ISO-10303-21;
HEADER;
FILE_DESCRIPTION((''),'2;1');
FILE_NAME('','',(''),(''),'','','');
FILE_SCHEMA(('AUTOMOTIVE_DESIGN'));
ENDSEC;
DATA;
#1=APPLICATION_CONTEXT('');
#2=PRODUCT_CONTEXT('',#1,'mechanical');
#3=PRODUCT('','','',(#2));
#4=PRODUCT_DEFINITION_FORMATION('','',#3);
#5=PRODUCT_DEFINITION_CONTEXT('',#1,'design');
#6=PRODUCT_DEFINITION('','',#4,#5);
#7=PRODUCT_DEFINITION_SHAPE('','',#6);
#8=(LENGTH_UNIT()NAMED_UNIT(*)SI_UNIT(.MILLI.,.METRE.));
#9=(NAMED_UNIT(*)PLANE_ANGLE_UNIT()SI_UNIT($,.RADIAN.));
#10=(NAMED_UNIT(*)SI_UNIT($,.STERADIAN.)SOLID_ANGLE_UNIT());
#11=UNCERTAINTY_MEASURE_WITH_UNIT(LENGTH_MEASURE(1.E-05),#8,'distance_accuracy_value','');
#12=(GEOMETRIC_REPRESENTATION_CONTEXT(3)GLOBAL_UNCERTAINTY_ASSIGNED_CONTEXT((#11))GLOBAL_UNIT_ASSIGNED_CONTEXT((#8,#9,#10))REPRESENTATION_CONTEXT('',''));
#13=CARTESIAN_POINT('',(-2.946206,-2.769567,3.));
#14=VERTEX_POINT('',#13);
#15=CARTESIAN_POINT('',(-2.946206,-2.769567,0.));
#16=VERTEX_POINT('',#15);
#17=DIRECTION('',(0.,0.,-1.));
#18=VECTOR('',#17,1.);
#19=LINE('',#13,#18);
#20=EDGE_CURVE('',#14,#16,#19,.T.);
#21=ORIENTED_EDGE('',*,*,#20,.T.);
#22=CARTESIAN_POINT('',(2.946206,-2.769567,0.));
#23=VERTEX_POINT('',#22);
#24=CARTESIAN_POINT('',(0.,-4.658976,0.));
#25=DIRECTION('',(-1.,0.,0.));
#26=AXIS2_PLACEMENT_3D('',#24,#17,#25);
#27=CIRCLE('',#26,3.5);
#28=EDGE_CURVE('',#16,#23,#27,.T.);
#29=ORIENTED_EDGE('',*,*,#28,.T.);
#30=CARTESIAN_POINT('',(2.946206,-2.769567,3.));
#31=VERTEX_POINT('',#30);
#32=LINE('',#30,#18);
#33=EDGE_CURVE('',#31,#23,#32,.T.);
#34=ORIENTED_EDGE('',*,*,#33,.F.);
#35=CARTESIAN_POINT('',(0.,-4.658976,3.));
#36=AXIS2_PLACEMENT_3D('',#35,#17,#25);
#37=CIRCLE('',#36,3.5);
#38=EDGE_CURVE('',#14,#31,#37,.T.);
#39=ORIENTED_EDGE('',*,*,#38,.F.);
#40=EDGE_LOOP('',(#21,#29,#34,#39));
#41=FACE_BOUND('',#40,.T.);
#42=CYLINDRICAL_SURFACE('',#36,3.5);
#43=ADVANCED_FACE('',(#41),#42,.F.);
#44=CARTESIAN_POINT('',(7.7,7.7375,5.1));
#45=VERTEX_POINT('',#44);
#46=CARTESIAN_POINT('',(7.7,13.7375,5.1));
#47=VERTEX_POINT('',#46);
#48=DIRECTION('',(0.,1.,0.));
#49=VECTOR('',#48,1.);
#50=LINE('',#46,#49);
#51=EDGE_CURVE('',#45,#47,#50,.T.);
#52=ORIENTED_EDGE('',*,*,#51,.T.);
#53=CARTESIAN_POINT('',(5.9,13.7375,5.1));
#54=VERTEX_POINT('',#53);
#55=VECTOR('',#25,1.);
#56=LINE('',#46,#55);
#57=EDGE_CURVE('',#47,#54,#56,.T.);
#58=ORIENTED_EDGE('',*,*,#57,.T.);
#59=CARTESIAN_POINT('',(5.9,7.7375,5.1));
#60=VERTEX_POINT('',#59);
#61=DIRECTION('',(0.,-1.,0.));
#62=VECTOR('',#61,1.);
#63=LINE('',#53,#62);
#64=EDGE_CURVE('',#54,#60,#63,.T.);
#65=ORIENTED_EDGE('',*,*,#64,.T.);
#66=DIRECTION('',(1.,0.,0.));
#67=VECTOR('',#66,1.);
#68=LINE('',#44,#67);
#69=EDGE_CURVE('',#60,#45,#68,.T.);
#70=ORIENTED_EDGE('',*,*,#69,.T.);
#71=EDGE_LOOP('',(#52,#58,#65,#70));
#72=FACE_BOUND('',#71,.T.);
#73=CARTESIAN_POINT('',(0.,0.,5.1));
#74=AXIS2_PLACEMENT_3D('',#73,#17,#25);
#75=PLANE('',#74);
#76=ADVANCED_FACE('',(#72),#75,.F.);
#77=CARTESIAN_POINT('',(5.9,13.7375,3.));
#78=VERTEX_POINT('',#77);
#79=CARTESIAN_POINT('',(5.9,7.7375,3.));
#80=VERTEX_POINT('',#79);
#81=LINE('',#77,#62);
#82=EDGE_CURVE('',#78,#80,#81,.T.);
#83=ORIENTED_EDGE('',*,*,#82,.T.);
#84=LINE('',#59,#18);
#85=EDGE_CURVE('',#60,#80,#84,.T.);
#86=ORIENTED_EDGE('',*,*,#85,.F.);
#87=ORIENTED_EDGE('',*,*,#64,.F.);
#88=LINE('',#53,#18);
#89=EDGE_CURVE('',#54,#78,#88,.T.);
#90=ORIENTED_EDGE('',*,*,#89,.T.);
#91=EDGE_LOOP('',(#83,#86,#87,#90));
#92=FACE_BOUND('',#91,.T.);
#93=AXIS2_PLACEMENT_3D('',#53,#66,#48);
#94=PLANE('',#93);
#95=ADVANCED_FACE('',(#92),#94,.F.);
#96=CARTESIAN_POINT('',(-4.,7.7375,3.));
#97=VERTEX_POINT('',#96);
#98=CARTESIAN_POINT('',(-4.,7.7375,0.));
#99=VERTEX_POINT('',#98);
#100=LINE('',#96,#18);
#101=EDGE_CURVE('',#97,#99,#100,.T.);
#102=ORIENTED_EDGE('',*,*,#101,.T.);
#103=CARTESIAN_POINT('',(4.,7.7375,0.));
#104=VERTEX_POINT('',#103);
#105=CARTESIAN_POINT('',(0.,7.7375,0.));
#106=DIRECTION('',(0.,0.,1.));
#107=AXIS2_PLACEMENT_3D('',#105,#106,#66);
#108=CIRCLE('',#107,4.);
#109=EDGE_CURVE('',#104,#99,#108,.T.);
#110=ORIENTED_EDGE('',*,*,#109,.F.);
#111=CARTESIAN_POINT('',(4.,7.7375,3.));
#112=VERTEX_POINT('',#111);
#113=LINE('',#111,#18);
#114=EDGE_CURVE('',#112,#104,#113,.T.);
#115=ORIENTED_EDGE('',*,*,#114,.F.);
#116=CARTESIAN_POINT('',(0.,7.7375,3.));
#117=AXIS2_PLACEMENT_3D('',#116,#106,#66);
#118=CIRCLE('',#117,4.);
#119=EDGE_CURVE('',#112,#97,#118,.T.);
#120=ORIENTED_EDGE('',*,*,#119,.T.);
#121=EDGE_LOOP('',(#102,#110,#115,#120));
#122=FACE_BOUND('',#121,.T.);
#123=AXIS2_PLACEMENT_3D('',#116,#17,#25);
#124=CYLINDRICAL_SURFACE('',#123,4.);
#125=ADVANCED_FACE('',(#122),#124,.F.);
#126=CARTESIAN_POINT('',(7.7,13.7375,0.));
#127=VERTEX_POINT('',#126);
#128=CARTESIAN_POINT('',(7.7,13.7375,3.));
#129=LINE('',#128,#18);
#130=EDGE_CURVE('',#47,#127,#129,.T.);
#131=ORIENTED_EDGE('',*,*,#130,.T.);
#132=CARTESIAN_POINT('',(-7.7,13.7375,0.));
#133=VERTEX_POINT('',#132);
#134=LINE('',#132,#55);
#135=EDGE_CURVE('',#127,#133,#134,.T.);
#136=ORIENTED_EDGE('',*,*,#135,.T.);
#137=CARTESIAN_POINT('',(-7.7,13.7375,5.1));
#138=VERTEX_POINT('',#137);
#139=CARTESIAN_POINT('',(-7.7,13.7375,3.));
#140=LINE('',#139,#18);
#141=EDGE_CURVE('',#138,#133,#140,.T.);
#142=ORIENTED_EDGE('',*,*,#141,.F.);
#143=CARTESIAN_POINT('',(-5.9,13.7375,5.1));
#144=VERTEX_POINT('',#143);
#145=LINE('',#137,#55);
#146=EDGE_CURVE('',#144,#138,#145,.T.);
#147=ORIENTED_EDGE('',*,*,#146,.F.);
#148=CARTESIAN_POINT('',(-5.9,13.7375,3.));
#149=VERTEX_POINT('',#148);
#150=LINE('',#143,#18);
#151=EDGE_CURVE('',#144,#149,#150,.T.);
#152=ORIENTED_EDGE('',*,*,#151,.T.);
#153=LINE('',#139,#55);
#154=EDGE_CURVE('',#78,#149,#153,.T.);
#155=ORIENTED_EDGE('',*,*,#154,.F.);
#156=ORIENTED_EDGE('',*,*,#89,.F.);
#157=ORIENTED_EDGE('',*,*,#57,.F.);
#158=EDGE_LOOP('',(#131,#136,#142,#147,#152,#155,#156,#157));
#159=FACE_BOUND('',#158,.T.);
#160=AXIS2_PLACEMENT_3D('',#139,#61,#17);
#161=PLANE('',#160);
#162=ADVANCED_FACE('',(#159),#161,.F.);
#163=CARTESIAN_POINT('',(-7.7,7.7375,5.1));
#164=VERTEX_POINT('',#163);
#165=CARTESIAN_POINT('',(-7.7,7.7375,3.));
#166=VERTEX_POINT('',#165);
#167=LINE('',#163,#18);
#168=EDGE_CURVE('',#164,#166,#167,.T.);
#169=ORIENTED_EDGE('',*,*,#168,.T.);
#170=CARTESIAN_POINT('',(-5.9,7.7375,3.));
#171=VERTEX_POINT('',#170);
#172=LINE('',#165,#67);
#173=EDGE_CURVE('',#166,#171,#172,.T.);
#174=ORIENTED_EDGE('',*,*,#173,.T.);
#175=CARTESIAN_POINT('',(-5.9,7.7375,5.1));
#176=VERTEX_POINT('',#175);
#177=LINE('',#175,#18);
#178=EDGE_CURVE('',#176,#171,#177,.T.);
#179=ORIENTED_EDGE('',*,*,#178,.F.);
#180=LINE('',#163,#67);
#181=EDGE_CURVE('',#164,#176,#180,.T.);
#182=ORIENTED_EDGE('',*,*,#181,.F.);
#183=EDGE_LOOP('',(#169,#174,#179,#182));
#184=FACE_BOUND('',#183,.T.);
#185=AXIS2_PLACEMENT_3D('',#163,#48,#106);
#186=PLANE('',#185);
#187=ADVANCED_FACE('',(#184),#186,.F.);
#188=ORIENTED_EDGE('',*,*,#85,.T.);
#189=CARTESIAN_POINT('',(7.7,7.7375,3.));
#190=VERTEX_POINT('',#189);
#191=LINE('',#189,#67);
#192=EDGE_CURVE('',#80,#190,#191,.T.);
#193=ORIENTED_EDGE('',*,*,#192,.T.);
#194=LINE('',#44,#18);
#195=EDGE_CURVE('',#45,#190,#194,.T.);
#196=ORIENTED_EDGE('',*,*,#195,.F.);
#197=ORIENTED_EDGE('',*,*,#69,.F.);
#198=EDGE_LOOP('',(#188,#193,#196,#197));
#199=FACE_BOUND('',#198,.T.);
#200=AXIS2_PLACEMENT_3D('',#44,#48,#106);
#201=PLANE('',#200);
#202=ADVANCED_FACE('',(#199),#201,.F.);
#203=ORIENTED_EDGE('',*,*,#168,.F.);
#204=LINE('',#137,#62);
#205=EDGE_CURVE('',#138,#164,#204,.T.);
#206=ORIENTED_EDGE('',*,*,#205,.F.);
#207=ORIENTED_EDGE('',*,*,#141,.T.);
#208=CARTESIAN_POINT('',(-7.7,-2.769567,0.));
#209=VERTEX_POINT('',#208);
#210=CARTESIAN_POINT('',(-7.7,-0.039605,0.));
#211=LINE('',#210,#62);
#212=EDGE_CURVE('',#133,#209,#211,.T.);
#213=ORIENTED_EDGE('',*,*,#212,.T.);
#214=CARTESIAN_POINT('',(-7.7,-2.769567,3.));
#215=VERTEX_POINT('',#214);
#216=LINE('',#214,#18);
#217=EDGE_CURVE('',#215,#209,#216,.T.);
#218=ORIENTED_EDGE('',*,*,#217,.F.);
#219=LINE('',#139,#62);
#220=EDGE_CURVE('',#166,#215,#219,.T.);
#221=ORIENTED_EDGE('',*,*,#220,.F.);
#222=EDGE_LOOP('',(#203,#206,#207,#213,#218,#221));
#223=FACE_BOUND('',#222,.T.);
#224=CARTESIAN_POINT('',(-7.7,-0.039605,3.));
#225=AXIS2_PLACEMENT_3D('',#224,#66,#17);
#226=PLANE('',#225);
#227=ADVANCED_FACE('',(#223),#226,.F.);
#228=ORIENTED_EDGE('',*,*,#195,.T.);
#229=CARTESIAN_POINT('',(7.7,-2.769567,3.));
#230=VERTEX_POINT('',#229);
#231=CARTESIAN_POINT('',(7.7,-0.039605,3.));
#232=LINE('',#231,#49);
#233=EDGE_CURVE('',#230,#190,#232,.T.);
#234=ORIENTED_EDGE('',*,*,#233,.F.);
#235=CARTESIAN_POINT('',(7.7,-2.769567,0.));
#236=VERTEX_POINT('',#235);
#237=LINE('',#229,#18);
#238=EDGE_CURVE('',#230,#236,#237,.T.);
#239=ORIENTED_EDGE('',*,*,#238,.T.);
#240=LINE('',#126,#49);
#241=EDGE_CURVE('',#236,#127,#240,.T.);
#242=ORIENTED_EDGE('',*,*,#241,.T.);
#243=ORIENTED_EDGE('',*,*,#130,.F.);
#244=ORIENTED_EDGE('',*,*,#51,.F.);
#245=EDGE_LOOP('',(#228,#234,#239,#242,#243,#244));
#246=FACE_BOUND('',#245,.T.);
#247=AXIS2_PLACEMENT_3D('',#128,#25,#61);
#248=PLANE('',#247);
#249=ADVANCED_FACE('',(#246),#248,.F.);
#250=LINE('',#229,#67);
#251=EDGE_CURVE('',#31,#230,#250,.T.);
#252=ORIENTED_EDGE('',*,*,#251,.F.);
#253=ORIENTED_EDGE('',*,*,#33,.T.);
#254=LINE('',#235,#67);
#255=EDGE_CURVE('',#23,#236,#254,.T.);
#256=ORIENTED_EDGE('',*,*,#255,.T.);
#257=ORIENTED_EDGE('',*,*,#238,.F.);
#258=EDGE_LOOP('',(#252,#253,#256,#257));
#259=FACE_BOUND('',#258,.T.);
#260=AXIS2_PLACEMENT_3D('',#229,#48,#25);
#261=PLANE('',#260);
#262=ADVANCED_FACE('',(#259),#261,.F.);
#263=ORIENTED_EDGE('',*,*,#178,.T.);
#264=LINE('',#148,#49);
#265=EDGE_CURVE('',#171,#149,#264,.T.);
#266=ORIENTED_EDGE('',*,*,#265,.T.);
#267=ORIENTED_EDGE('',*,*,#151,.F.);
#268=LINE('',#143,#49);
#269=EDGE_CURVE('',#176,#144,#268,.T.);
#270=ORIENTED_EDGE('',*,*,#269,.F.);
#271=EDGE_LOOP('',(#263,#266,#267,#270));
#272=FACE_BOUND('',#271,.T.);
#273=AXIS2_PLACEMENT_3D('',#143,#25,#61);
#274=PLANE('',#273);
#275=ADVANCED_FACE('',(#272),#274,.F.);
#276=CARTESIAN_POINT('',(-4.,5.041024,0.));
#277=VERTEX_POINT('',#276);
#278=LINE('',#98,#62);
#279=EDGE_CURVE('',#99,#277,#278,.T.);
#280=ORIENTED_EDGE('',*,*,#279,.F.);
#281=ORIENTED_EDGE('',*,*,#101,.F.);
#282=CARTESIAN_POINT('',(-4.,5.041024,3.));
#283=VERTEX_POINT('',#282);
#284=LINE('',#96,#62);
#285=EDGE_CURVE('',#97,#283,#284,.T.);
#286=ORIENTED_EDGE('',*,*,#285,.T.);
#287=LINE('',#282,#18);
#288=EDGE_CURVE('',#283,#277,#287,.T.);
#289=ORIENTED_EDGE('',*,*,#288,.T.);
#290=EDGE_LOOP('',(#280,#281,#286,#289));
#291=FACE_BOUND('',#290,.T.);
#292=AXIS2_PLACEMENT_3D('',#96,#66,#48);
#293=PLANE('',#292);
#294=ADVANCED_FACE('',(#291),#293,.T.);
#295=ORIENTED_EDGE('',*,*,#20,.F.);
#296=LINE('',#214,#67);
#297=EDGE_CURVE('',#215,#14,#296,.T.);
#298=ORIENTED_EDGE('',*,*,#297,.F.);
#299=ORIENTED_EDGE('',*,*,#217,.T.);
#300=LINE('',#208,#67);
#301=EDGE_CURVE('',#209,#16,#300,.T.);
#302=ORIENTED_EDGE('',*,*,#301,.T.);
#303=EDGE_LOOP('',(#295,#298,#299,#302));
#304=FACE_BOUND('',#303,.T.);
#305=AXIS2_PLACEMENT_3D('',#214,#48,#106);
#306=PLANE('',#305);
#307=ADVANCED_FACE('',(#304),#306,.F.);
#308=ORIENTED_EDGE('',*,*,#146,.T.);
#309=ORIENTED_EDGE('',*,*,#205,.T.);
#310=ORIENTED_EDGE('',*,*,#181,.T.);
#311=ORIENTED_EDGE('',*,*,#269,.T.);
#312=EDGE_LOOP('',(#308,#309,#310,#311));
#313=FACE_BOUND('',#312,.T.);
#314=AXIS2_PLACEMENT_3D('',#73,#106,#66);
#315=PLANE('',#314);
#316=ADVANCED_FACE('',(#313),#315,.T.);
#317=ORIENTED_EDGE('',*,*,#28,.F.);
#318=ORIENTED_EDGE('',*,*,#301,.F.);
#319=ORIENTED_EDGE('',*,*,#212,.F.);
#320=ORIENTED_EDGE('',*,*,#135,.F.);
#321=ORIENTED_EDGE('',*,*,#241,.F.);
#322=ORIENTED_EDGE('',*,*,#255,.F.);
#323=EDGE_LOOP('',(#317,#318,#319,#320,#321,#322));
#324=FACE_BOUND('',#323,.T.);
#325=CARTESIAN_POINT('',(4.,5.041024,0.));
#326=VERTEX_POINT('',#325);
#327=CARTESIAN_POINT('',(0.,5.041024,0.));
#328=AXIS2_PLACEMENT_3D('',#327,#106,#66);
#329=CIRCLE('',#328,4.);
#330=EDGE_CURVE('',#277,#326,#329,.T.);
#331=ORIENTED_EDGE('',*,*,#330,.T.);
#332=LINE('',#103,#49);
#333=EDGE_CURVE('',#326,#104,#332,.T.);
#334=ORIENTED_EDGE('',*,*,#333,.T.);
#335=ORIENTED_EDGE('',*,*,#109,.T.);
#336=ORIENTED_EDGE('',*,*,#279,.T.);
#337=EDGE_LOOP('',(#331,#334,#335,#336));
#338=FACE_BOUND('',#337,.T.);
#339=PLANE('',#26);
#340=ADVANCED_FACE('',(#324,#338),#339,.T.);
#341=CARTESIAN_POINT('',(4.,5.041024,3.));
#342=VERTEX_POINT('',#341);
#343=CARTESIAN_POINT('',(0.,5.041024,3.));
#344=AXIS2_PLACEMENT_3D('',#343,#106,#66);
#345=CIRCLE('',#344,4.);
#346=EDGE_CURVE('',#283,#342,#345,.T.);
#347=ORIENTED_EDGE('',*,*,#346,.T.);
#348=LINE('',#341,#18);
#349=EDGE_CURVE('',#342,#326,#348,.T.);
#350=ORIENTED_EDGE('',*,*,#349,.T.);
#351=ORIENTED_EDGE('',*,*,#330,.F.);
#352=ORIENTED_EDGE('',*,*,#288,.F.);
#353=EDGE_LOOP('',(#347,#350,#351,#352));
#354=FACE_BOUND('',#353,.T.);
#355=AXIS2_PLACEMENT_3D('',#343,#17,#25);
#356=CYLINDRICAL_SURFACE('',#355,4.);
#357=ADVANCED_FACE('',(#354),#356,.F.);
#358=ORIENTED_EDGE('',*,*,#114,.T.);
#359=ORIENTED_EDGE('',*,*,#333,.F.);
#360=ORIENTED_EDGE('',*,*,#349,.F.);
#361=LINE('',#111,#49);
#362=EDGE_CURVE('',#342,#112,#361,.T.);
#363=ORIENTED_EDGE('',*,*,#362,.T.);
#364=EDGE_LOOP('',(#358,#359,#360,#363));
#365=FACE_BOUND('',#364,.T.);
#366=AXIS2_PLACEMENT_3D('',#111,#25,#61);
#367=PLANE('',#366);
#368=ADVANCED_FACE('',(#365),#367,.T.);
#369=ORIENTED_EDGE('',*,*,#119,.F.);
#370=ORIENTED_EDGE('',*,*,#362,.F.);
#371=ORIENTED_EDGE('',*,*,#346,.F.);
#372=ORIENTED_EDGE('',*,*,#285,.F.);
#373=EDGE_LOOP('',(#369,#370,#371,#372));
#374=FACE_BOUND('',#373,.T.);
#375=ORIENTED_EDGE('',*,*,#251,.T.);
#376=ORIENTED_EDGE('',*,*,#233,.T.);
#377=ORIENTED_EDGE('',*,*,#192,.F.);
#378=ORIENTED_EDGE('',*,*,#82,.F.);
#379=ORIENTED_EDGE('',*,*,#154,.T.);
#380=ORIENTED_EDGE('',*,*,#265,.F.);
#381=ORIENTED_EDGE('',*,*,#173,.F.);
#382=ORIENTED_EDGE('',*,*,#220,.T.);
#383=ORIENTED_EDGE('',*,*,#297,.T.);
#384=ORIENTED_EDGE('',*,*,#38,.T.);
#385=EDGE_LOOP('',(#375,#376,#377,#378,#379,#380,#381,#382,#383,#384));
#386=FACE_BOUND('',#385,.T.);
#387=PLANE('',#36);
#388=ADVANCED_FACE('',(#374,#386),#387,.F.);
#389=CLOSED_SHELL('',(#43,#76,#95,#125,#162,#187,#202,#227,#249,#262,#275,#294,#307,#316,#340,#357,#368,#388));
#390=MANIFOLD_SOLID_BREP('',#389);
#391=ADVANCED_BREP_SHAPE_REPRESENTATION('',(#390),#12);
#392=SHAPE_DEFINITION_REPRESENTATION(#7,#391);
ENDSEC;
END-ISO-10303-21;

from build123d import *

# Parameters (mm, degrees)
EXTRUDE_1_DEPTH = 3
SKETCH_2_W      = 1.8
SKETCH_2_H      = 6
EXTRUDE_2_DEPTH = 2.1


with BuildPart() as part:
    # Эскиз1 → Бобышка-Вытянуть1 (new body)
    with BuildSketch(Plane.XY):
        with BuildLine():
            Line((-7.7, 13.737499607), (7.7, 13.737499607))
            Line((7.7, 13.737499607), (7.7, -0.039604792))
            Line((7.7, -0.039604792), (7.7, -2.769566851))
            Line((7.7, -2.769566851), (2.946206382, -2.769566851))
            ThreePointArc((2.946206382, -2.769566851), (0, -1.158976271), (-2.946206382, -2.769566851))
            Line((-2.946206382, -2.769566851), (-7.7, -2.769566851))
            Line((-7.7, -2.769566851), (-7.7, -0.039604792))
            Line((-7.7, -0.039604792), (-7.7, 13.737499607))
        make_face()
        with BuildLine():
            Line((4, 7.737499607), (4, 5.041023729))
            ThreePointArc((4, 5.041023729), (0, 1.041023729), (-4, 5.041023729))
            Line((-4, 5.041023729), (-4, 7.737499607))
            ThreePointArc((-4, 7.737499607), (0, 11.737499607), (4, 7.737499607))
        make_face(mode=Mode.SUBTRACT)
    extrude(amount=EXTRUDE_1_DEPTH)

    # Эскиз2 → Бобышка-Вытянуть2 (add)
    with BuildSketch(Plane.XY.offset(3)):
        with Locations((-6.8, 10.737499607)):
            Rectangle(SKETCH_2_W, SKETCH_2_H)
        with Locations((6.8, 10.737499607)):
            Rectangle(SKETCH_2_W, SKETCH_2_H)
    extrude(amount=EXTRUDE_2_DEPTH)


solid = part.part
